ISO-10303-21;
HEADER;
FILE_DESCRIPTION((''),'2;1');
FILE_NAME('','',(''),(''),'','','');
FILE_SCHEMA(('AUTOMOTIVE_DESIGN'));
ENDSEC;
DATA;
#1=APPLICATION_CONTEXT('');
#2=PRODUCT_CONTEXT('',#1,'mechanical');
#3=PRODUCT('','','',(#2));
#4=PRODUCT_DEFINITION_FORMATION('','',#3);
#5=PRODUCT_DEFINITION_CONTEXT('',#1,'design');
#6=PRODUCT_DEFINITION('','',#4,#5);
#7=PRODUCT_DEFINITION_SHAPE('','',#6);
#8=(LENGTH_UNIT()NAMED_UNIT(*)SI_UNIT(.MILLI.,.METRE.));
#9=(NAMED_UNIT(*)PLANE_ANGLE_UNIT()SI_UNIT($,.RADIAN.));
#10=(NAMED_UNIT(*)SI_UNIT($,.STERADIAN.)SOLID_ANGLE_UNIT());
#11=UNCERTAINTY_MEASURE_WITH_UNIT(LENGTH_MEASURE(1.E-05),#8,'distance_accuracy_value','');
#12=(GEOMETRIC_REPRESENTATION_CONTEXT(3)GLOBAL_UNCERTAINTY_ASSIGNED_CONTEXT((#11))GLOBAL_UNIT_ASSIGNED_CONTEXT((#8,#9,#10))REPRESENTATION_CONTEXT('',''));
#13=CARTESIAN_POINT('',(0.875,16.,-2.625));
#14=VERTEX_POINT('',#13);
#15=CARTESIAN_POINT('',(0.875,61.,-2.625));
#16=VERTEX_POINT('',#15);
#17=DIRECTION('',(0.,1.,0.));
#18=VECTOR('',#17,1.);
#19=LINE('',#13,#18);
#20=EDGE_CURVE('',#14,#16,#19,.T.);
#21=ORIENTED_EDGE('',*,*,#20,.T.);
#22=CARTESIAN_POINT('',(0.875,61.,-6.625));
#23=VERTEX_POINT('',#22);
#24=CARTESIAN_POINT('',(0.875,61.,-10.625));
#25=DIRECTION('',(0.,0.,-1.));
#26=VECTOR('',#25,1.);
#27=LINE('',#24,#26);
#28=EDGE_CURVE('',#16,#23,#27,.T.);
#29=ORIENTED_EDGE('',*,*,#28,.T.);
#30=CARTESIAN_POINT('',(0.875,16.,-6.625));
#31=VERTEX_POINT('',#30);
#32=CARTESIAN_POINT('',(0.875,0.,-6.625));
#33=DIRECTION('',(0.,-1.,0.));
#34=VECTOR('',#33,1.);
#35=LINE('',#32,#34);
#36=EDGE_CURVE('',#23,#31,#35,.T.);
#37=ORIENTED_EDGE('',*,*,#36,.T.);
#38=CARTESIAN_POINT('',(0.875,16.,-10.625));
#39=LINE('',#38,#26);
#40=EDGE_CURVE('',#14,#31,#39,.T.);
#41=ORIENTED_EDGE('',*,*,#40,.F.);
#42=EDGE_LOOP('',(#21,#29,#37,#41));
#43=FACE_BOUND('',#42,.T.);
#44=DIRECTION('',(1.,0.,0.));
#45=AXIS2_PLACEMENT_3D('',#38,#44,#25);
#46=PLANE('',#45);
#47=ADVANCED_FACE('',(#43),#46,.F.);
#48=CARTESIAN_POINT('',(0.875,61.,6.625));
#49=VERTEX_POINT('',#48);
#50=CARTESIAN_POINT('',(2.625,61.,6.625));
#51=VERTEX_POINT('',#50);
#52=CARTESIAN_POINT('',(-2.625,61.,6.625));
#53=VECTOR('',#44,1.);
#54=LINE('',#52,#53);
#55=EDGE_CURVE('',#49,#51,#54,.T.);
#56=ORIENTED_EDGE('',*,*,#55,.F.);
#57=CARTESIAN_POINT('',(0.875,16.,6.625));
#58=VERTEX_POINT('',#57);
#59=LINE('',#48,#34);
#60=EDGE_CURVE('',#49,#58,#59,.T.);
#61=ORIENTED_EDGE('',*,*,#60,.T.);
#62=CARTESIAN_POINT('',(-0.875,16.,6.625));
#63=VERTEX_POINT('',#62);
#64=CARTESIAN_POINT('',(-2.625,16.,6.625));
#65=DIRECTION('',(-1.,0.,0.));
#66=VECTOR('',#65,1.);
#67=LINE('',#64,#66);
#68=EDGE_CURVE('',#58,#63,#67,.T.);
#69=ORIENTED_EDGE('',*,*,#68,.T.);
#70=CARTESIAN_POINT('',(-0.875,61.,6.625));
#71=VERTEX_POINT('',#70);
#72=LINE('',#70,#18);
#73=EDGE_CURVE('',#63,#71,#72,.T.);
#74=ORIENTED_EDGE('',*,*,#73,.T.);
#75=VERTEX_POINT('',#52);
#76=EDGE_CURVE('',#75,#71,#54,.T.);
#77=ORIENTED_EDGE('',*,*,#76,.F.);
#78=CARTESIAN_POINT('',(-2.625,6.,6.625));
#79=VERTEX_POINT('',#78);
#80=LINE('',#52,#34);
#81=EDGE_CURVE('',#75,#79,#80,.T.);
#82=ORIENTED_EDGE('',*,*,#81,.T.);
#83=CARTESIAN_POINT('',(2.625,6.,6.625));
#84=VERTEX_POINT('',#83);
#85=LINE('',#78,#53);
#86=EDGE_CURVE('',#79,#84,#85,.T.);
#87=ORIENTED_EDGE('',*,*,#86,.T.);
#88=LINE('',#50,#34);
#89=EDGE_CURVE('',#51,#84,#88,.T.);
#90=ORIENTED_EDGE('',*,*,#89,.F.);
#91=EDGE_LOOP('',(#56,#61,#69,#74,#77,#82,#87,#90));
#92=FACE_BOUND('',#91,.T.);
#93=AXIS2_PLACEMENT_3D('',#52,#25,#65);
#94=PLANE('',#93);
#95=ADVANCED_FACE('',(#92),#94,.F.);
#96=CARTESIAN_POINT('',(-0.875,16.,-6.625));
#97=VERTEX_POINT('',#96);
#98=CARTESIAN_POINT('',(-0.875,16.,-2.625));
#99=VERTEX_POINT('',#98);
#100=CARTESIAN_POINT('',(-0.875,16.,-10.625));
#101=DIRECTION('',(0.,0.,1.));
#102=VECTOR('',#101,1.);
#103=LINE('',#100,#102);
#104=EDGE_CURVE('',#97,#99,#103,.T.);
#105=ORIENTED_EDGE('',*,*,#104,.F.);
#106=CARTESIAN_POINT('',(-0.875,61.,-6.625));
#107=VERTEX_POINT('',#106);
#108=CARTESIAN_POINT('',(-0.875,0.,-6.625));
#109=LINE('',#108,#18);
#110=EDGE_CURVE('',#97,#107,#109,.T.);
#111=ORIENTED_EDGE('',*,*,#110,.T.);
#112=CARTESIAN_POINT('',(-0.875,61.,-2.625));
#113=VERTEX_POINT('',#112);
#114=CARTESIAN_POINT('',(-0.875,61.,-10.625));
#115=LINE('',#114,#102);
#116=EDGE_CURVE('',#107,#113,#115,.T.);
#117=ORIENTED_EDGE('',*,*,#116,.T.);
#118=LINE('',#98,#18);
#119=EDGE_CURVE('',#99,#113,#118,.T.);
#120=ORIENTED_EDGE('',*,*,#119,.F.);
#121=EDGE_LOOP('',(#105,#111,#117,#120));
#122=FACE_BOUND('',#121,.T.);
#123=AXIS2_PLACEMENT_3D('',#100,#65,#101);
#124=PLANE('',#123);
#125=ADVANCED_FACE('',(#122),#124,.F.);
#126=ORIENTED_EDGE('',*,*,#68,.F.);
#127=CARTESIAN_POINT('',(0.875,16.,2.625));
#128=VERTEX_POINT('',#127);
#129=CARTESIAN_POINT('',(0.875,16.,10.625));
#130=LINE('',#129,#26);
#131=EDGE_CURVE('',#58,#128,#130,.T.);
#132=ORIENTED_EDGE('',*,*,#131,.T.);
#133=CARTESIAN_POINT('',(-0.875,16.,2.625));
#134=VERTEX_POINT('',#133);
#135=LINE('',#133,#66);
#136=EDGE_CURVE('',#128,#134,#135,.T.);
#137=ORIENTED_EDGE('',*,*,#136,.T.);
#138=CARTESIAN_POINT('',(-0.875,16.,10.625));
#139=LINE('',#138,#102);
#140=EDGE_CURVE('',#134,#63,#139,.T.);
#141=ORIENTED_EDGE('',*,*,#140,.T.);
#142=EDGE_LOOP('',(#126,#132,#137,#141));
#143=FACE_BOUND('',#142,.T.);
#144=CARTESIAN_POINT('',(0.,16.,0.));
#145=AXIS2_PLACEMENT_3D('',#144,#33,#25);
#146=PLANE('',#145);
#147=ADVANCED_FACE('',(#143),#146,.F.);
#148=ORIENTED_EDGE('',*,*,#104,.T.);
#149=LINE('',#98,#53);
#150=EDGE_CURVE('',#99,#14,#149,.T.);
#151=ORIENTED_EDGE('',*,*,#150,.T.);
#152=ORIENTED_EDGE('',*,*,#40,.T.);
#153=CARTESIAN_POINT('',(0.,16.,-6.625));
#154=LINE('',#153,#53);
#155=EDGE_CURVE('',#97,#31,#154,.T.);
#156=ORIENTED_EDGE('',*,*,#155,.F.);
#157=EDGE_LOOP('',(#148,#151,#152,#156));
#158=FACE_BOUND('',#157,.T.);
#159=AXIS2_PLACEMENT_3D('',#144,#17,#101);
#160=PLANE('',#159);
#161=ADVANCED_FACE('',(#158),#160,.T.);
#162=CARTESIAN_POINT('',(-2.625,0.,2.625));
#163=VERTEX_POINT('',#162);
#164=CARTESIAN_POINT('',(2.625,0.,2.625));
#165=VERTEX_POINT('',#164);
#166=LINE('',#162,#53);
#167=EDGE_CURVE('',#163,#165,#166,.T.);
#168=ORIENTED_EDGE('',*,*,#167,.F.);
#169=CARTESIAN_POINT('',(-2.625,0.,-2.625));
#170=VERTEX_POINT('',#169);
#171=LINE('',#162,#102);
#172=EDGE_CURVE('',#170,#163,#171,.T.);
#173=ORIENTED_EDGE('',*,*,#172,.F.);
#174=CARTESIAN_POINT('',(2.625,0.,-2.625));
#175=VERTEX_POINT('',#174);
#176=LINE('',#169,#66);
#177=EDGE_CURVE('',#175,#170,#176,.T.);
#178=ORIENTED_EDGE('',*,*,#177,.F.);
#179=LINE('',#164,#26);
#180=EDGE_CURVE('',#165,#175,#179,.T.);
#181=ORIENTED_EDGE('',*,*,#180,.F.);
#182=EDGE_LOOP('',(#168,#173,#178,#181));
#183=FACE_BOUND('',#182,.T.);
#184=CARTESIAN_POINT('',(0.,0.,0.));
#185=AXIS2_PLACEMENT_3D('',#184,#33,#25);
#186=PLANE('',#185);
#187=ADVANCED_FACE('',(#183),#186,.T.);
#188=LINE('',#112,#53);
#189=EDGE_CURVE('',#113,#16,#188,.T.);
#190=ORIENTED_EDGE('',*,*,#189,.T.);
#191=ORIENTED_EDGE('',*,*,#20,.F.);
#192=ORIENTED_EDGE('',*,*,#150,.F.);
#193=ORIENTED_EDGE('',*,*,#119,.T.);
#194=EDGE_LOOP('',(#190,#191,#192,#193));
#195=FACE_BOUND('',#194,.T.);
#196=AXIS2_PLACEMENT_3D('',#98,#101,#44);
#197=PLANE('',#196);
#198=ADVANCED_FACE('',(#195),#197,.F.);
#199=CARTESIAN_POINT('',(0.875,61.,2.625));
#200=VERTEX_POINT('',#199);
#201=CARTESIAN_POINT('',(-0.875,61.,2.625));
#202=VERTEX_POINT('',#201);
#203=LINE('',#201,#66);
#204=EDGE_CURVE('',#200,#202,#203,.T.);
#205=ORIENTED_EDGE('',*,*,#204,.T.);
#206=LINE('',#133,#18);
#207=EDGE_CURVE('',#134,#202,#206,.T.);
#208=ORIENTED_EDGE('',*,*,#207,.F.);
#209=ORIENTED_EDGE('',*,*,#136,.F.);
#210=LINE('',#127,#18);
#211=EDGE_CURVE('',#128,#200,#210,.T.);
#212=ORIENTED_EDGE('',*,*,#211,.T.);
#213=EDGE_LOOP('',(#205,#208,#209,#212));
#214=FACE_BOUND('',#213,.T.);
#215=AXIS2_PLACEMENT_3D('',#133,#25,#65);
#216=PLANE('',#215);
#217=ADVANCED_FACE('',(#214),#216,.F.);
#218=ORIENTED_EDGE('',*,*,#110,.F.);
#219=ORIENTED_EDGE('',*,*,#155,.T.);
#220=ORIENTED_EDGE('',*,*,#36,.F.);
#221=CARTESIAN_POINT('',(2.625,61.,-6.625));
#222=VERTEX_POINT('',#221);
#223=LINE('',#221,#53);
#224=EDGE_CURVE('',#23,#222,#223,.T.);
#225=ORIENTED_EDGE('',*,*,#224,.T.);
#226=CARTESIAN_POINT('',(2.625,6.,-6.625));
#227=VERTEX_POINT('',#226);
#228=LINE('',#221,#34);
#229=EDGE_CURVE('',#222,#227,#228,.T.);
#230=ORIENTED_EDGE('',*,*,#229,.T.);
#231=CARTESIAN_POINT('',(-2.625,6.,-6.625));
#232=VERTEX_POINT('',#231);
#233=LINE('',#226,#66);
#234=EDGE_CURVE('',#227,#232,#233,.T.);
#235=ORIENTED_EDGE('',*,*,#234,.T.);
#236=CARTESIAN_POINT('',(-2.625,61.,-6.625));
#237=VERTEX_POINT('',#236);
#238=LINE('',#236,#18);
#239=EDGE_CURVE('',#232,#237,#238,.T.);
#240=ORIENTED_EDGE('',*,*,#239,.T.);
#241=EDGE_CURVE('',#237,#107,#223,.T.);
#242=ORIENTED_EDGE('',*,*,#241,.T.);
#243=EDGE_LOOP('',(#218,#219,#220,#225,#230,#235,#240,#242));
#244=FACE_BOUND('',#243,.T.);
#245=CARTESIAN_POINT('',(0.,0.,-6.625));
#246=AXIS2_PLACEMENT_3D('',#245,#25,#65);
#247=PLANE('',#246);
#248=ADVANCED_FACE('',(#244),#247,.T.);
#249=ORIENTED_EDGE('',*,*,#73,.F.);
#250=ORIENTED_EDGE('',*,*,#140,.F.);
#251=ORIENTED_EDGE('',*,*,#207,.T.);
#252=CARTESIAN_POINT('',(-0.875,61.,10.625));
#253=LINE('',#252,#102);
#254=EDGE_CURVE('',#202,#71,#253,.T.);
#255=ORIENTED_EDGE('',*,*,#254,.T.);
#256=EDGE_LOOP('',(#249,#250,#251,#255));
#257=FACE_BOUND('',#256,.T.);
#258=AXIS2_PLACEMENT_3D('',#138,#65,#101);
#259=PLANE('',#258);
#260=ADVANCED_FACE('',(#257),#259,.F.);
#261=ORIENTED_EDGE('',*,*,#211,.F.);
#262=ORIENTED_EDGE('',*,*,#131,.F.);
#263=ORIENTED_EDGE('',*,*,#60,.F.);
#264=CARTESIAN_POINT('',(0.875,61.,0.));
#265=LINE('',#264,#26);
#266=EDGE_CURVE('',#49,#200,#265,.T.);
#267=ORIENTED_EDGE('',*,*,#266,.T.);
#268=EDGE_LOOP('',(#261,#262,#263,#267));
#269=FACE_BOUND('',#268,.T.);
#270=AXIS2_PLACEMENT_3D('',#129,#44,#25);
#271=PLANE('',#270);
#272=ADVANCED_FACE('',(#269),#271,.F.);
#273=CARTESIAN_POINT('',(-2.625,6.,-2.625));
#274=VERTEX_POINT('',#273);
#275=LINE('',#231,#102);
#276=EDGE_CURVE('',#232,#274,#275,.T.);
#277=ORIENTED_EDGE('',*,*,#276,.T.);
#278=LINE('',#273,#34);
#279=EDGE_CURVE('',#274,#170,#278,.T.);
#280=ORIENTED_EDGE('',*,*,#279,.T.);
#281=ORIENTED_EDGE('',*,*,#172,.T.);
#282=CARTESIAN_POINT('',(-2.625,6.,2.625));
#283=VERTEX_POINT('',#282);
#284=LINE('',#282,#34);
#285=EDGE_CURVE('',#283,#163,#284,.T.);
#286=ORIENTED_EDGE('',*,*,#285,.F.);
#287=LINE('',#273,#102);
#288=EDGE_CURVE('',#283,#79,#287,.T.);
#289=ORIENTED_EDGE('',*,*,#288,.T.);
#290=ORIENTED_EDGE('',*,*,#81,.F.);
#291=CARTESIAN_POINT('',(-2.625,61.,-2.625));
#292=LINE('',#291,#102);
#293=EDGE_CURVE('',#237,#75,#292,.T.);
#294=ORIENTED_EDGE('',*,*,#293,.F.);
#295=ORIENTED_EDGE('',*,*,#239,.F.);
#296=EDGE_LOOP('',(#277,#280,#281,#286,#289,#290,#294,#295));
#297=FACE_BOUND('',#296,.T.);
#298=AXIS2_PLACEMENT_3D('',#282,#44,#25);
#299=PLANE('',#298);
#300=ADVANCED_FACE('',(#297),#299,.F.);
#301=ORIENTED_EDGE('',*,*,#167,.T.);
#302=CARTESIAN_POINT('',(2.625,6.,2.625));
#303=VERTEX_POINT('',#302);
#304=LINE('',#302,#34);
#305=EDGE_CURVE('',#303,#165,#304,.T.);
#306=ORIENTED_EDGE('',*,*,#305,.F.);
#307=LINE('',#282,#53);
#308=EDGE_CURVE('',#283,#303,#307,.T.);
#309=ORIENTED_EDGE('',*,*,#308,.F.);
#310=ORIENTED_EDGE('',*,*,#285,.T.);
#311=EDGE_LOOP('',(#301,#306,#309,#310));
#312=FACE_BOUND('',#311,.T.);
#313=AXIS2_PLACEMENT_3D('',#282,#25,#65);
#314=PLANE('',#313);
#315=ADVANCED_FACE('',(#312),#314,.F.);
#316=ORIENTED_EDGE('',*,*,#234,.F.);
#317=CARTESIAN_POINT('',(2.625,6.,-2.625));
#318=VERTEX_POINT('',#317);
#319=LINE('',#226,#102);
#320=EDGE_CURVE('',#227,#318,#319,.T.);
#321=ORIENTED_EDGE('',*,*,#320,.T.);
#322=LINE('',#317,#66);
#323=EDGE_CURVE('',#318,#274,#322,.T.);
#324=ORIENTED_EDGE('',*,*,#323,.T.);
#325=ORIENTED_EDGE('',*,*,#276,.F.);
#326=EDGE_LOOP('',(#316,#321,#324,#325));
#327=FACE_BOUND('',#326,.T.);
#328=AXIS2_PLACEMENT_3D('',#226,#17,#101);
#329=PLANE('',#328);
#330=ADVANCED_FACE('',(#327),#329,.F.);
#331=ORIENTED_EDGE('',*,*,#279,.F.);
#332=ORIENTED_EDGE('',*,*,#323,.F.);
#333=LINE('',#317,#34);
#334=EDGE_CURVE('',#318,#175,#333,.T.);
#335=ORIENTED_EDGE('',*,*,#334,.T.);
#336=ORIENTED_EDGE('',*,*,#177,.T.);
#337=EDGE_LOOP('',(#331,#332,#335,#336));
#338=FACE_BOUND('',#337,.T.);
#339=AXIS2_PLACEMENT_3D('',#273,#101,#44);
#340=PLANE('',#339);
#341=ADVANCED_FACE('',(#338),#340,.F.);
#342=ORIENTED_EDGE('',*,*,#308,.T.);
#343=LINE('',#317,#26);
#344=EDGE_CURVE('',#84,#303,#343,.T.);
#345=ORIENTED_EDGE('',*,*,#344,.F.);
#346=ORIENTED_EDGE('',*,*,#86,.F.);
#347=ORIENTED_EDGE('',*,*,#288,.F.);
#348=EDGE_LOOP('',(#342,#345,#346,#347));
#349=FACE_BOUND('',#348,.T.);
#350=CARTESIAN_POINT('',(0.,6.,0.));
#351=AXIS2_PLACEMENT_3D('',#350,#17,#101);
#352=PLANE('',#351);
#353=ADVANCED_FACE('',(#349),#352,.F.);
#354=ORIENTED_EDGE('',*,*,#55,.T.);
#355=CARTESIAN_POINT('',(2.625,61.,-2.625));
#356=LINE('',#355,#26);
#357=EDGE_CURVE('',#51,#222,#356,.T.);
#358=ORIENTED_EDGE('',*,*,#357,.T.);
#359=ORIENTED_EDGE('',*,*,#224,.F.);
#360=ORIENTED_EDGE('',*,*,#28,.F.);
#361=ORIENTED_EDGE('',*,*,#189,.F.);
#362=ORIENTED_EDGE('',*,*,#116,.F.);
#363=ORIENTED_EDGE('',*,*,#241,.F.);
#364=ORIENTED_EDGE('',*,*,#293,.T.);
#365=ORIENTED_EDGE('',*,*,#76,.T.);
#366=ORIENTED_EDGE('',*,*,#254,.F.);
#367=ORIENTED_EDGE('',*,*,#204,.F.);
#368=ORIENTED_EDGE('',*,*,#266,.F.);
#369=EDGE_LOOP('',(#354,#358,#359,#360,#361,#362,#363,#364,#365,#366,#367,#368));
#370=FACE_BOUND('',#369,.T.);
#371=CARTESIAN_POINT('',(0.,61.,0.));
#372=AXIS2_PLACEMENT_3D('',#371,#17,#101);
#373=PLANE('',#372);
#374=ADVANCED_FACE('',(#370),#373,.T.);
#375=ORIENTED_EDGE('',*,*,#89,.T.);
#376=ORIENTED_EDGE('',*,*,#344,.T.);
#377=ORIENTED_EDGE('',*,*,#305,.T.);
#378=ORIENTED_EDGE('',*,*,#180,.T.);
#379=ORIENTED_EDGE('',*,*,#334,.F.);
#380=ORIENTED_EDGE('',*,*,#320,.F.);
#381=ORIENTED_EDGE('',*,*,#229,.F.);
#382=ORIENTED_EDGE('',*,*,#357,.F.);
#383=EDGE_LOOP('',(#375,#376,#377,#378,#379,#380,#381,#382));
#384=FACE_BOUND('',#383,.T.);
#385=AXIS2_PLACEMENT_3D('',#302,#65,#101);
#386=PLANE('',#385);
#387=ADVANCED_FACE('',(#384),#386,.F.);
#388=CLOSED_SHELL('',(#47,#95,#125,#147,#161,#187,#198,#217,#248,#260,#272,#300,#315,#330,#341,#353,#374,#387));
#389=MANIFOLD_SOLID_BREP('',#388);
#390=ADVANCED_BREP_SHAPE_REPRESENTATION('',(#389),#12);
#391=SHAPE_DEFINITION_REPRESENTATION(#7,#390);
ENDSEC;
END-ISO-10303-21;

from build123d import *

# Parameters (mm, degrees)
SKETCH1_W           = 5.25
SKETCH1_H           = 5.25
BOSS_EXTRUDE1_DEPTH = 6
SKETCH2_W           = 5.25
SKETCH2_H           = 9.25
BOSS_EXTRUDE2_DEPTH = 55
SKETCH3_W           = 1.75
SKETCH3_H           = 8
CUT_EXTRUDE1_DEPTH  = 45
SKETCH4_W           = 5.25
SKETCH4_H           = 55
BOSS_EXTRUDE3_DEPTH = 4
SKETCH5_W           = 1.75
SKETCH5_H           = 8
CUT_EXTRUDE2_DEPTH  = 45


with BuildPart() as part:
    # Sketch1 → Boss-Extrude1 (new body)
    with BuildSketch(Plane(origin=(0, 0, 0), x_dir=(1, 0, 0), z_dir=(0, 1, 0))):
        Rectangle(SKETCH1_W, SKETCH1_H)
    extrude(amount=BOSS_EXTRUDE1_DEPTH)

    # Sketch2 → Boss-Extrude2 (add)
    with BuildSketch(Plane(origin=(0, 6, 0), x_dir=(1, 0, 0), z_dir=(0, 1, 0))):
        with Locations((0, -2)):
            Rectangle(SKETCH2_W, SKETCH2_H)
    extrude(amount=BOSS_EXTRUDE2_DEPTH)

    # Sketch3 → Cut-Extrude1 (cut)
    with BuildSketch(Plane(origin=(0, 61, 0), x_dir=(1, 0, 0), z_dir=(0, 1, 0))):
        with Locations((0, -6.625)):
            Rectangle(SKETCH3_W, SKETCH3_H)
    extrude(amount=-CUT_EXTRUDE1_DEPTH, mode=Mode.SUBTRACT)

    # Sketch4 → Boss-Extrude3 (add)
    with BuildSketch(Plane(origin=(0, 0, -2.625), x_dir=(-1, 0, 0), z_dir=(0, 0, -1))):
        with Locations((0, 33.5)):
            Rectangle(SKETCH4_W, SKETCH4_H)
    extrude(amount=BOSS_EXTRUDE3_DEPTH)

    # Sketch5 → Cut-Extrude2 (cut)
    with BuildSketch(Plane(origin=(0, 61, 0), x_dir=(1, 0, 0), z_dir=(0, 1, 0))):
        with Locations((0, 6.625)):
            Rectangle(SKETCH5_W, SKETCH5_H)
    extrude(amount=-CUT_EXTRUDE2_DEPTH, mode=Mode.SUBTRACT)


solid = part.part
